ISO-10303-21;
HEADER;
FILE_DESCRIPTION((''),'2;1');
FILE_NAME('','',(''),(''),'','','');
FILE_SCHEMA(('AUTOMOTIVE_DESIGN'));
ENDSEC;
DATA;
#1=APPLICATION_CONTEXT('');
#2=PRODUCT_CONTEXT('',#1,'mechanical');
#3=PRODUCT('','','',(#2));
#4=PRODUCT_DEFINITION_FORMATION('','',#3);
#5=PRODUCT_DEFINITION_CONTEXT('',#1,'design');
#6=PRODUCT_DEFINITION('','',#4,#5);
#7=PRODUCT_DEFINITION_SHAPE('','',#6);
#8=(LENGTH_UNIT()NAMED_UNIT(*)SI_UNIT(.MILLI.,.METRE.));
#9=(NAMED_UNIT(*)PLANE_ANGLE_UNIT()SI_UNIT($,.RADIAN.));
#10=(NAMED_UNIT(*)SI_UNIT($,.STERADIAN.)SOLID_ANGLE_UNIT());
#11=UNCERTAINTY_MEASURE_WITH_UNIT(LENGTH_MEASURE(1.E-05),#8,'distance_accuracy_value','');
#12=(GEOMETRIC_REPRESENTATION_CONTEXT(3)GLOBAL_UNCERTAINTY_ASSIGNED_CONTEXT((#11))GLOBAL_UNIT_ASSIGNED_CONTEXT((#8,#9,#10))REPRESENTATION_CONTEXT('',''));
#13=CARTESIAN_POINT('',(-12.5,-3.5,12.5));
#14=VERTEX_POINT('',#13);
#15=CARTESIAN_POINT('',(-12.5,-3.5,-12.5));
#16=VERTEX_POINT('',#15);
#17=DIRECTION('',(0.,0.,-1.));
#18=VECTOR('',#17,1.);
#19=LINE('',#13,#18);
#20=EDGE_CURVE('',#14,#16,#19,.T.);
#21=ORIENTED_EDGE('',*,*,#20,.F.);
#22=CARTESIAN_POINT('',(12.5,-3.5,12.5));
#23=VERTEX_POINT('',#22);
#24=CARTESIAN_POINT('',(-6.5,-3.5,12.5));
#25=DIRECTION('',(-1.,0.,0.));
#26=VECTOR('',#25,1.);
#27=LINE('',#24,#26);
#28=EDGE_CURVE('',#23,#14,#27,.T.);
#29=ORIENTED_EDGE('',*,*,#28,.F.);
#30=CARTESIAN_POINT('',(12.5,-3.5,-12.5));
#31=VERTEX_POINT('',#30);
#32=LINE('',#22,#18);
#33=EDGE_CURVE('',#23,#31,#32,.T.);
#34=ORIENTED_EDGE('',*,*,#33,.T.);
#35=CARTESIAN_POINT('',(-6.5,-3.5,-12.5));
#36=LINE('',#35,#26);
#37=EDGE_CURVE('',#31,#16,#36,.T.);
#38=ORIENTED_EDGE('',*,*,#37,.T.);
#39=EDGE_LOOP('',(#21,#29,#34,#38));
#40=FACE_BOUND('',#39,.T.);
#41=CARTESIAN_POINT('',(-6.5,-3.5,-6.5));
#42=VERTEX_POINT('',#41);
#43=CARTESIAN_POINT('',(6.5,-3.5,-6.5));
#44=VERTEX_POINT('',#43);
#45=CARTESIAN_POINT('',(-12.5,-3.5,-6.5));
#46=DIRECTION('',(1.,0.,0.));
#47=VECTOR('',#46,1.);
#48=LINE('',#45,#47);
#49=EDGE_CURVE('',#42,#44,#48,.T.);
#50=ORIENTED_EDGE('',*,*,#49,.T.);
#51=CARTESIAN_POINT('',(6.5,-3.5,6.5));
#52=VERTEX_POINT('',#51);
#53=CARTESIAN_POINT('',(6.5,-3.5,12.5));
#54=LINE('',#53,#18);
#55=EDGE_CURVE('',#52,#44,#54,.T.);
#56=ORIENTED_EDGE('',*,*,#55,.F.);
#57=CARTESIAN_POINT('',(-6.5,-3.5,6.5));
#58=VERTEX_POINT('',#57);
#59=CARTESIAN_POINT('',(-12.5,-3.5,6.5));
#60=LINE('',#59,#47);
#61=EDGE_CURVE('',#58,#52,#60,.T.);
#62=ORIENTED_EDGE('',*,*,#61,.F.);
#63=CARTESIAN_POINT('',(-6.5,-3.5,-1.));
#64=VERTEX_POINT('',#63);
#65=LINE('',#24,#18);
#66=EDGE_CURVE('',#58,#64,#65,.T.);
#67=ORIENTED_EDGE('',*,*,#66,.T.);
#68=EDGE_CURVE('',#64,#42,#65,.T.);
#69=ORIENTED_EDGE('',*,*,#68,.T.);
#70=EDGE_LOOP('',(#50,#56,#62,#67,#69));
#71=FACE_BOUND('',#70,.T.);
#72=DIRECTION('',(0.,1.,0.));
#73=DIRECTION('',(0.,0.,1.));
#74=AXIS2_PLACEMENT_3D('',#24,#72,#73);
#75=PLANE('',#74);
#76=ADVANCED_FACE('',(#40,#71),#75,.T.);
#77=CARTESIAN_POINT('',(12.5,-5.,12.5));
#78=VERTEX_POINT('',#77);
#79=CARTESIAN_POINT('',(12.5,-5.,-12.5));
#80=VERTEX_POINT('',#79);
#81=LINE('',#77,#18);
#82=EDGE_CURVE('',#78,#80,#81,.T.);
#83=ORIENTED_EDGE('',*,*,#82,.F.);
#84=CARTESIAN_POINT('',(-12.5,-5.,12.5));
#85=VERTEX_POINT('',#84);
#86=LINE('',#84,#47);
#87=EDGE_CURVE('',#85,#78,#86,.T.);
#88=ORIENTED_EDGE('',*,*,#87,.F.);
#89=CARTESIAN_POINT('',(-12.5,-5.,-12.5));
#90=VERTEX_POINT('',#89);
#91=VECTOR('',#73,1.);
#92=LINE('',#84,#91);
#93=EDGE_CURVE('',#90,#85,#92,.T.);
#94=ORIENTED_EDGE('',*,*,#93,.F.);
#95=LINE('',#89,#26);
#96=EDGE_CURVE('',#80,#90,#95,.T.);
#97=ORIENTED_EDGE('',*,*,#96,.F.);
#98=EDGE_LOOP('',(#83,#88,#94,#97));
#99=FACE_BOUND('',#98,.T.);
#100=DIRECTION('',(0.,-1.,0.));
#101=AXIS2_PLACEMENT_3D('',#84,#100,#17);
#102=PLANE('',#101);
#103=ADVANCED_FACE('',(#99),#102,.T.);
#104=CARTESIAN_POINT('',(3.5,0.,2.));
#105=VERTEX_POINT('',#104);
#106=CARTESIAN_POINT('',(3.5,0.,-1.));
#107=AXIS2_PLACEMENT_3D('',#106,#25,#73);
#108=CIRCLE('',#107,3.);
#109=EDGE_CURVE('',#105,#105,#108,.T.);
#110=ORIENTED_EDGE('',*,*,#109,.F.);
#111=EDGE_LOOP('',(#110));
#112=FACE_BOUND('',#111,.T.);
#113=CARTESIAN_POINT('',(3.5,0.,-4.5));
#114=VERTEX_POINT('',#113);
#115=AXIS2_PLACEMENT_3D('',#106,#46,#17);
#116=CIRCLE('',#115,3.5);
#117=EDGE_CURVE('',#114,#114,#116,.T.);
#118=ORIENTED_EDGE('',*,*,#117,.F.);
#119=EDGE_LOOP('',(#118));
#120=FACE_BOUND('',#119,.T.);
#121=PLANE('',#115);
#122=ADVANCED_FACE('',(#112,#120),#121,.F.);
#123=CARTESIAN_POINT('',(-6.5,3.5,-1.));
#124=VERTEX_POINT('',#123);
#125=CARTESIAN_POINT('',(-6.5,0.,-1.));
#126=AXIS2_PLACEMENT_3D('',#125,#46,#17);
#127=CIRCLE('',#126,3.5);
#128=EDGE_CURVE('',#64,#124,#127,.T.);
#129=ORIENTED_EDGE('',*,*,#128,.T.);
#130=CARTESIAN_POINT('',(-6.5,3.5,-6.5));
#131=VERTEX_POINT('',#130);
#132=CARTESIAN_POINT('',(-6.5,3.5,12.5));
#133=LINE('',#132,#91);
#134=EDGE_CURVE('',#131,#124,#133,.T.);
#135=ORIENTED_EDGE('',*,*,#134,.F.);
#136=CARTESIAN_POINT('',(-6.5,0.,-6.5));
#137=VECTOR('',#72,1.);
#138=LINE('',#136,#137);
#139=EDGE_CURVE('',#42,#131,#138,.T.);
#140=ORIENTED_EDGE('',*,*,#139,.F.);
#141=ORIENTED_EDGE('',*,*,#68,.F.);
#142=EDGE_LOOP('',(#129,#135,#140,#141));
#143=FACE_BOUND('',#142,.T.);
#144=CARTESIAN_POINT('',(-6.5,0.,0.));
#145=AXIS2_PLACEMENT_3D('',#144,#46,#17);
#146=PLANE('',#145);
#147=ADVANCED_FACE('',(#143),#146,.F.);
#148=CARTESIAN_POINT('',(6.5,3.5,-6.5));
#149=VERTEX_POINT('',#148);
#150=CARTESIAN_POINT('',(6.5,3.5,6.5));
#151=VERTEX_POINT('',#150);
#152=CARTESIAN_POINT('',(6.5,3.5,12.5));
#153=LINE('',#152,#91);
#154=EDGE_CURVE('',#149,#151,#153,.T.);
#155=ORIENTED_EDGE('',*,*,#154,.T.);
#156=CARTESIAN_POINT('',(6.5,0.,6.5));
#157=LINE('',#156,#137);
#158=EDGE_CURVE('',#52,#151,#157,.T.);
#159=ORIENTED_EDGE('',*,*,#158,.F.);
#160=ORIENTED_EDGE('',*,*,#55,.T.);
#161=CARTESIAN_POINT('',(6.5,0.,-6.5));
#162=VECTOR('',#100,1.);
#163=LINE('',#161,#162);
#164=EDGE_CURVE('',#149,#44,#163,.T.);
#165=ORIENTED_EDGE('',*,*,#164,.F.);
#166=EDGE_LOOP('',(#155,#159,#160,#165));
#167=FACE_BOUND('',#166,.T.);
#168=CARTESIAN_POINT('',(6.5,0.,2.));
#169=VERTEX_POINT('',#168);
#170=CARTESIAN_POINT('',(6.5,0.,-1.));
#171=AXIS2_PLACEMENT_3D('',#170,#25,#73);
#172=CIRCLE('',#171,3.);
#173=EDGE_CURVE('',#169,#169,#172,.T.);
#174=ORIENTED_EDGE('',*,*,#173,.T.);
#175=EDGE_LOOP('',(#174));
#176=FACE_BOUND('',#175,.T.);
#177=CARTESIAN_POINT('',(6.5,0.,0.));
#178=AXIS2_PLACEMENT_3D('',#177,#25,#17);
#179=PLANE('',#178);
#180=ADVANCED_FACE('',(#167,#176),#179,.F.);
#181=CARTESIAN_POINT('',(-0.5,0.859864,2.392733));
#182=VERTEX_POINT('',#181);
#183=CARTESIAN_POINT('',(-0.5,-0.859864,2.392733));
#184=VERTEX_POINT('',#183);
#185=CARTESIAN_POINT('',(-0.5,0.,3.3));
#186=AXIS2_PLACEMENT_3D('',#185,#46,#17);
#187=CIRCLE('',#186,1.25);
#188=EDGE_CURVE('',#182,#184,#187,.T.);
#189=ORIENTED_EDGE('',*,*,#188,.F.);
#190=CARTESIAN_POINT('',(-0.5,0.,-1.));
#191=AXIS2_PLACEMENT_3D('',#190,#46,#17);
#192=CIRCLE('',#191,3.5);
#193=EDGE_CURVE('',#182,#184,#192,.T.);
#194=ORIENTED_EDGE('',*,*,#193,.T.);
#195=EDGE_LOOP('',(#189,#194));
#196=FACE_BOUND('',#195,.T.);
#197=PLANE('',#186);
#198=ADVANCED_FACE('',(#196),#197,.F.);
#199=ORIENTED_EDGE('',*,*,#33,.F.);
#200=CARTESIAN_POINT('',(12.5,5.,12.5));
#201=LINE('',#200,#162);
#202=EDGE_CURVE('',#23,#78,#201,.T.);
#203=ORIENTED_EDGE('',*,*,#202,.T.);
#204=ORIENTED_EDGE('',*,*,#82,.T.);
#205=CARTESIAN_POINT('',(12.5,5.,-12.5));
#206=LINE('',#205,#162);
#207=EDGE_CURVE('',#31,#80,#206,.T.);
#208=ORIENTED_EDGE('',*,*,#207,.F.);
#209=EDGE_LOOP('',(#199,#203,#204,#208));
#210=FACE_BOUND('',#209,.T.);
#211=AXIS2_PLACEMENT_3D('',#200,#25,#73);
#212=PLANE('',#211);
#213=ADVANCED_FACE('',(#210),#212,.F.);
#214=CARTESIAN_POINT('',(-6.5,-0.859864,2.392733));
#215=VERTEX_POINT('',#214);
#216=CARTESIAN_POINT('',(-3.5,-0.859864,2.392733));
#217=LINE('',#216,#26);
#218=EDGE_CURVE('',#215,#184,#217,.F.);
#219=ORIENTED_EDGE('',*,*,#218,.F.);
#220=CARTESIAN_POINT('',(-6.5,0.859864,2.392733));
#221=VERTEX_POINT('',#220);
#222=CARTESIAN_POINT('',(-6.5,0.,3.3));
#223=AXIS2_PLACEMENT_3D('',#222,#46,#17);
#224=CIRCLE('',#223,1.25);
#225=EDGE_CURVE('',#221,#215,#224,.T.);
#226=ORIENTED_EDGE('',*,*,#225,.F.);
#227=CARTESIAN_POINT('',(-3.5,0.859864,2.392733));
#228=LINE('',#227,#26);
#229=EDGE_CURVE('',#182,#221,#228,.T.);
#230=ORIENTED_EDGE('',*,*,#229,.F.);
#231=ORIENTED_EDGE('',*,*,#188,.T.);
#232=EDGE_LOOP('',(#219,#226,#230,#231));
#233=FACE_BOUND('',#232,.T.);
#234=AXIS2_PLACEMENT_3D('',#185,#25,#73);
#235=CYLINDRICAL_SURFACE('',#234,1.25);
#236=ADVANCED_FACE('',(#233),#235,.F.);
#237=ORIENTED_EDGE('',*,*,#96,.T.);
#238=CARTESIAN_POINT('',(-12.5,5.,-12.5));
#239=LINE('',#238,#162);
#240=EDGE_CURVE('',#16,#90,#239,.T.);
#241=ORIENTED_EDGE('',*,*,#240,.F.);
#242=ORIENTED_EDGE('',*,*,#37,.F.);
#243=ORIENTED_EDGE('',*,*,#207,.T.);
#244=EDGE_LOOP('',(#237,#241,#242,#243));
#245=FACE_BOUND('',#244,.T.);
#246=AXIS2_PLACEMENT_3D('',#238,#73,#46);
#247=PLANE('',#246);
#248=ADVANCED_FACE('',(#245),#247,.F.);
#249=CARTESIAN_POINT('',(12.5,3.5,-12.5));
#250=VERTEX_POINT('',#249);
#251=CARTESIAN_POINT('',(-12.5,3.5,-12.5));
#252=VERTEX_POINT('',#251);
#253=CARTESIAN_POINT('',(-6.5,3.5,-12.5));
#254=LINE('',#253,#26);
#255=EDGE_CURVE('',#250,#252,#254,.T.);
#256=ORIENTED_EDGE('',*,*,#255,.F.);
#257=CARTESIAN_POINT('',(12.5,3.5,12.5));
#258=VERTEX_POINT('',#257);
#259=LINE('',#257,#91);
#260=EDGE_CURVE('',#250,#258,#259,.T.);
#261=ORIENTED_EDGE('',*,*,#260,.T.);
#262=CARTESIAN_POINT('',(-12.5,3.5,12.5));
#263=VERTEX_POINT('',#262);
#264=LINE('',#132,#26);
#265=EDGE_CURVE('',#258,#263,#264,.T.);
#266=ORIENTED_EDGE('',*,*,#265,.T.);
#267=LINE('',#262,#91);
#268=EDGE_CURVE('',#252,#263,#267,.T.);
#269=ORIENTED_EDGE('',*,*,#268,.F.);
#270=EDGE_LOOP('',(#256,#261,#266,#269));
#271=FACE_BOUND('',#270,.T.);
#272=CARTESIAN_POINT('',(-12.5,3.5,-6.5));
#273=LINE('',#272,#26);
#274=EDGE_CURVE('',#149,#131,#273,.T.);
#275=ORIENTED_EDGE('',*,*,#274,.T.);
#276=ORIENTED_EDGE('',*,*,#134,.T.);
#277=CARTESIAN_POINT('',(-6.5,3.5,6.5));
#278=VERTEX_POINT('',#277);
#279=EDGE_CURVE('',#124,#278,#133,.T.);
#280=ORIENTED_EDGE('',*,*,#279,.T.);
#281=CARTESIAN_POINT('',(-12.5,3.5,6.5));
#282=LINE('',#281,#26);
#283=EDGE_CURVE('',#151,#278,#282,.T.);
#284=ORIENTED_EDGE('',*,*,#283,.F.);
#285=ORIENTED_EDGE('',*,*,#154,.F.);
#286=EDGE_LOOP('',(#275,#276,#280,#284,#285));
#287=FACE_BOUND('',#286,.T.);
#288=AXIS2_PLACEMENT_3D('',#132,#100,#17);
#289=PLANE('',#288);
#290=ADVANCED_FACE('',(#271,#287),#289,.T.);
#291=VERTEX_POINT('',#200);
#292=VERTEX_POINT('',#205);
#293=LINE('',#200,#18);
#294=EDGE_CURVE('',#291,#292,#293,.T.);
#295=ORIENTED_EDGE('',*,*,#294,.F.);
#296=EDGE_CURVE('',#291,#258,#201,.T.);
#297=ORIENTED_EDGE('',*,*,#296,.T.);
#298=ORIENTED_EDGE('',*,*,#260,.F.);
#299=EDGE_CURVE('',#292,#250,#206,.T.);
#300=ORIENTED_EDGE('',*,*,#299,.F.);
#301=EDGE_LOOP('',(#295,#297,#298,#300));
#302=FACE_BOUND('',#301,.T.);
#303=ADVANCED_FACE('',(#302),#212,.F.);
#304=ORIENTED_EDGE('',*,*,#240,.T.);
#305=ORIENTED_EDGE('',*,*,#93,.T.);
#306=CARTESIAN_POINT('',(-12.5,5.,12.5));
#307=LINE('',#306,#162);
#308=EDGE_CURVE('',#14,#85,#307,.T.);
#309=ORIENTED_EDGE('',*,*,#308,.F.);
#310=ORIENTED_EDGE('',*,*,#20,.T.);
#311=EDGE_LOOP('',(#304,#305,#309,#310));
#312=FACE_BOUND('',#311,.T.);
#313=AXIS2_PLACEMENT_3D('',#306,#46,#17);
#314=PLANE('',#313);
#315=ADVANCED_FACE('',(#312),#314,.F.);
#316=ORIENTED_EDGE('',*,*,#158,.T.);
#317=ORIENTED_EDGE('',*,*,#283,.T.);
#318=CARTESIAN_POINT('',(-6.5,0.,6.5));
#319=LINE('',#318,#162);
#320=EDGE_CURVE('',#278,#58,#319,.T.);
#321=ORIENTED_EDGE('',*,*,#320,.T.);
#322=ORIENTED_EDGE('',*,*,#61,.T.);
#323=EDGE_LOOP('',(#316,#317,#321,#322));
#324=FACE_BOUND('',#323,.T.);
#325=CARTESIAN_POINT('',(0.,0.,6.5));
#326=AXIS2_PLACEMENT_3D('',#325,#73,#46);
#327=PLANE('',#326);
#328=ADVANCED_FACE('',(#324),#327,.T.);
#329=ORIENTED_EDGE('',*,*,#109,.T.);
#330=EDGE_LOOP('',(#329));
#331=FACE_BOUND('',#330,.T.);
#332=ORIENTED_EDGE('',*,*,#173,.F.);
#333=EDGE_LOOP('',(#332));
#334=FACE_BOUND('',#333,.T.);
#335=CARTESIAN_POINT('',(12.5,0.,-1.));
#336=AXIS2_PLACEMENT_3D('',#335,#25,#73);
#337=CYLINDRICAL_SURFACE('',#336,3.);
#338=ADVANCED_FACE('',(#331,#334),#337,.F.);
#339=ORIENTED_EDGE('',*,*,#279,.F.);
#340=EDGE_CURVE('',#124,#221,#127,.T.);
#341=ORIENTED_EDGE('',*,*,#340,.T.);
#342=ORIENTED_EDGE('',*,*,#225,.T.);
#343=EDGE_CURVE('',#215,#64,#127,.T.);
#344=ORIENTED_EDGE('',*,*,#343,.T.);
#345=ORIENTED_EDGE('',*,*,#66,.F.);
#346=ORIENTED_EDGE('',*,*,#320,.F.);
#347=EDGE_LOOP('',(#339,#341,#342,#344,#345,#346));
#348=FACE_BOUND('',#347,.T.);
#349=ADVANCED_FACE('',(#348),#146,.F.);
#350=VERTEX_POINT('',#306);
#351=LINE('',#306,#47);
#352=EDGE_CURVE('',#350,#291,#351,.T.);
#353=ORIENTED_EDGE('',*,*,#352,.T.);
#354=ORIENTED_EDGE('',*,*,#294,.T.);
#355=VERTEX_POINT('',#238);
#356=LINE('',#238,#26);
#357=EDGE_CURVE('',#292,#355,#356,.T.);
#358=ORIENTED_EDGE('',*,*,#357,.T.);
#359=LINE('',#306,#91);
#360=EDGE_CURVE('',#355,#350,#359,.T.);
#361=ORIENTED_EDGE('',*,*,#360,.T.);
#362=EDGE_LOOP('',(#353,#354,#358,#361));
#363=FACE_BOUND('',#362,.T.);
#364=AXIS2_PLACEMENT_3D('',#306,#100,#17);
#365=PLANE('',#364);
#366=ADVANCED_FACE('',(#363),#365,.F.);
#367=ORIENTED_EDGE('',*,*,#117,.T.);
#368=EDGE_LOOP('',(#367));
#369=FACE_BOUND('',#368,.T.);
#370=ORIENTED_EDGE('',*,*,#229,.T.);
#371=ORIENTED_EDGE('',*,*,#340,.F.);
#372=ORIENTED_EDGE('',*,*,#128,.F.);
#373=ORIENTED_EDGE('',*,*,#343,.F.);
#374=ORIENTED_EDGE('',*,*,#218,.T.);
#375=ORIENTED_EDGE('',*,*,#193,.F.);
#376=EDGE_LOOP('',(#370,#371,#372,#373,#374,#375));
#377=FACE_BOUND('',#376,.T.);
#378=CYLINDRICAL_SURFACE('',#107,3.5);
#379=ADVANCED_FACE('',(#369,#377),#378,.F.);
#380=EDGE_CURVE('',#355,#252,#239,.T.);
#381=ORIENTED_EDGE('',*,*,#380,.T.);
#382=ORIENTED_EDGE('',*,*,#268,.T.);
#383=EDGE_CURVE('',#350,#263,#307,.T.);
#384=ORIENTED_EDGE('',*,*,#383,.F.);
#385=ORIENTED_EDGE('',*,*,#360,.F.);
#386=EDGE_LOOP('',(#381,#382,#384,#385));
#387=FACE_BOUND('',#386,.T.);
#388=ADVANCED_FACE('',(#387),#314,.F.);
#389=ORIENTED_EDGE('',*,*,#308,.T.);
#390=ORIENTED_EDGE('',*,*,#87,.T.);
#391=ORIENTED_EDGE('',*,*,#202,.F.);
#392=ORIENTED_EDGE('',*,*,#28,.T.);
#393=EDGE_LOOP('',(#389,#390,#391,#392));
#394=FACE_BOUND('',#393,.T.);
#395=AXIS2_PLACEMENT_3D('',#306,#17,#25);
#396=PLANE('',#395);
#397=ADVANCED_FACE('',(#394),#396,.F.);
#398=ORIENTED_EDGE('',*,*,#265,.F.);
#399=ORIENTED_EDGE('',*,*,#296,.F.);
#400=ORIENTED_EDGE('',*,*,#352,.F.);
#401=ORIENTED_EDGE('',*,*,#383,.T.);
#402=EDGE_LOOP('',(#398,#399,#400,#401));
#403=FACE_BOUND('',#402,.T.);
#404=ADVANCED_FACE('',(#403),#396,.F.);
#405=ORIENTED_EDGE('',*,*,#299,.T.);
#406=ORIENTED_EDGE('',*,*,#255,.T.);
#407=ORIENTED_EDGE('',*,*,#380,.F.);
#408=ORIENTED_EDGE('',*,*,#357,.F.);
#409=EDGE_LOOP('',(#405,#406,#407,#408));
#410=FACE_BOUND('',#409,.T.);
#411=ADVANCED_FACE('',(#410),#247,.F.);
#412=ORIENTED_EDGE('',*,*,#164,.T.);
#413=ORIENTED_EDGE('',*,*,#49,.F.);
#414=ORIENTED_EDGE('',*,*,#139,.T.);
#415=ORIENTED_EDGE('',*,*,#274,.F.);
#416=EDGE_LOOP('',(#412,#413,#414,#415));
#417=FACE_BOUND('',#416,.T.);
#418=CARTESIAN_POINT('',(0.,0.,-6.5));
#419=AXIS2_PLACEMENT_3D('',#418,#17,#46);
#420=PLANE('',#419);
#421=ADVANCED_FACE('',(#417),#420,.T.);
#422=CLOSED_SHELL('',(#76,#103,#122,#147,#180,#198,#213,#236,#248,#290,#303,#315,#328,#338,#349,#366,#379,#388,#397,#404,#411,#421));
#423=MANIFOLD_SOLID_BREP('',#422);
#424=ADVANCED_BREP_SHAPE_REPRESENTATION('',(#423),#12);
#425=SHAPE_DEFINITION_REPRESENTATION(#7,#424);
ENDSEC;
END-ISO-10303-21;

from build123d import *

# Parameters (mm, degrees)
EXTRUDE_1_DEPTH      = 5
EXTRUDE_1_DEPTH_BACK = 5
SKETCH_1_W           = 25
SKETCH_1_H           = 25
SKETCH_8_W           = 25
SKETCH_8_H           = 7
CUT_EXTRUDE_8_DEPTH  = 6
SKETCH_9_W           = 25
SKETCH_9_H           = 7
CUT_EXTRUDE_9_DEPTH  = 6
SKETCH_2_R           = 3.5
CUT_EXTRUDE_1_DEPTH  = 10
SKETCH_4_R           = 1.25
CUT_EXTRUDE_3_DEPTH  = 6
SKETCH_7_R           = 3
CUT_EXTRUDE_7_DEPTH  = 21.910523666


with BuildPart() as part:
    # 草图1 → 拉伸1 (new, two sides: drawn at the far end of the back side and taken through both)
    with BuildSketch(Plane(origin=(0, 0, 0), x_dir=(1, 0, 0), z_dir=(0, 1, 0)).offset(-EXTRUDE_1_DEPTH_BACK)):
        Rectangle(SKETCH_1_W, SKETCH_1_H)
    extrude(amount=EXTRUDE_1_DEPTH + EXTRUDE_1_DEPTH_BACK)

    # 草图8 → 切除-拉伸8 (cut)
    with BuildSketch(Plane(origin=(-12.5, 0, 0), x_dir=(0, 0, -1), z_dir=(1, 0, 0))):
        Rectangle(SKETCH_8_W, SKETCH_8_H)
    cut_extrude_8 = extrude(amount=CUT_EXTRUDE_8_DEPTH, mode=Mode.SUBTRACT)

    # 镜向1: 切除-拉伸8 across plane
    add(cut_extrude_8.mirror(Plane(origin=(0, 0, 0), x_dir=(0, 0, 1), z_dir=(1, 0, 0))), mode=Mode.SUBTRACT)

    # 草图9 → 切除-拉伸9 (cut)
    with BuildSketch(Plane.XY.offset(12.5)):
        Rectangle(SKETCH_9_W, SKETCH_9_H)
    cut_extrude_9 = extrude(amount=-CUT_EXTRUDE_9_DEPTH, mode=Mode.SUBTRACT)

    # 镜向2: 切除-拉伸9 across plane
    add(cut_extrude_9.mirror(Plane.XY), mode=Mode.SUBTRACT)

    # 草图2 → 切除-拉伸1 (cut)
    with BuildSketch(Plane(origin=(-6.5, 0, 0), x_dir=(0, 0, -1), z_dir=(1, 0, 0))):
        with Locations((1, 0)):
            Circle(SKETCH_2_R)
    extrude(amount=CUT_EXTRUDE_1_DEPTH, mode=Mode.SUBTRACT)

    # 草图4 → 切除-拉伸3 (cut)
    with BuildSketch(Plane(origin=(-6.5, 0, 0), x_dir=(0, 0, -1), z_dir=(1, 0, 0))):
        with Locations((-3.3, 0)):
            Circle(SKETCH_4_R)
    extrude(amount=CUT_EXTRUDE_3_DEPTH, mode=Mode.SUBTRACT)

    # 草图7 → 切除-拉伸7 (cut, through all)
    with BuildSketch(Plane.ZY.offset(-3.5)):
        with Locations((-1, 0)):
            Circle(SKETCH_7_R)
    extrude(amount=-CUT_EXTRUDE_7_DEPTH, mode=Mode.SUBTRACT)


solid = part.part
